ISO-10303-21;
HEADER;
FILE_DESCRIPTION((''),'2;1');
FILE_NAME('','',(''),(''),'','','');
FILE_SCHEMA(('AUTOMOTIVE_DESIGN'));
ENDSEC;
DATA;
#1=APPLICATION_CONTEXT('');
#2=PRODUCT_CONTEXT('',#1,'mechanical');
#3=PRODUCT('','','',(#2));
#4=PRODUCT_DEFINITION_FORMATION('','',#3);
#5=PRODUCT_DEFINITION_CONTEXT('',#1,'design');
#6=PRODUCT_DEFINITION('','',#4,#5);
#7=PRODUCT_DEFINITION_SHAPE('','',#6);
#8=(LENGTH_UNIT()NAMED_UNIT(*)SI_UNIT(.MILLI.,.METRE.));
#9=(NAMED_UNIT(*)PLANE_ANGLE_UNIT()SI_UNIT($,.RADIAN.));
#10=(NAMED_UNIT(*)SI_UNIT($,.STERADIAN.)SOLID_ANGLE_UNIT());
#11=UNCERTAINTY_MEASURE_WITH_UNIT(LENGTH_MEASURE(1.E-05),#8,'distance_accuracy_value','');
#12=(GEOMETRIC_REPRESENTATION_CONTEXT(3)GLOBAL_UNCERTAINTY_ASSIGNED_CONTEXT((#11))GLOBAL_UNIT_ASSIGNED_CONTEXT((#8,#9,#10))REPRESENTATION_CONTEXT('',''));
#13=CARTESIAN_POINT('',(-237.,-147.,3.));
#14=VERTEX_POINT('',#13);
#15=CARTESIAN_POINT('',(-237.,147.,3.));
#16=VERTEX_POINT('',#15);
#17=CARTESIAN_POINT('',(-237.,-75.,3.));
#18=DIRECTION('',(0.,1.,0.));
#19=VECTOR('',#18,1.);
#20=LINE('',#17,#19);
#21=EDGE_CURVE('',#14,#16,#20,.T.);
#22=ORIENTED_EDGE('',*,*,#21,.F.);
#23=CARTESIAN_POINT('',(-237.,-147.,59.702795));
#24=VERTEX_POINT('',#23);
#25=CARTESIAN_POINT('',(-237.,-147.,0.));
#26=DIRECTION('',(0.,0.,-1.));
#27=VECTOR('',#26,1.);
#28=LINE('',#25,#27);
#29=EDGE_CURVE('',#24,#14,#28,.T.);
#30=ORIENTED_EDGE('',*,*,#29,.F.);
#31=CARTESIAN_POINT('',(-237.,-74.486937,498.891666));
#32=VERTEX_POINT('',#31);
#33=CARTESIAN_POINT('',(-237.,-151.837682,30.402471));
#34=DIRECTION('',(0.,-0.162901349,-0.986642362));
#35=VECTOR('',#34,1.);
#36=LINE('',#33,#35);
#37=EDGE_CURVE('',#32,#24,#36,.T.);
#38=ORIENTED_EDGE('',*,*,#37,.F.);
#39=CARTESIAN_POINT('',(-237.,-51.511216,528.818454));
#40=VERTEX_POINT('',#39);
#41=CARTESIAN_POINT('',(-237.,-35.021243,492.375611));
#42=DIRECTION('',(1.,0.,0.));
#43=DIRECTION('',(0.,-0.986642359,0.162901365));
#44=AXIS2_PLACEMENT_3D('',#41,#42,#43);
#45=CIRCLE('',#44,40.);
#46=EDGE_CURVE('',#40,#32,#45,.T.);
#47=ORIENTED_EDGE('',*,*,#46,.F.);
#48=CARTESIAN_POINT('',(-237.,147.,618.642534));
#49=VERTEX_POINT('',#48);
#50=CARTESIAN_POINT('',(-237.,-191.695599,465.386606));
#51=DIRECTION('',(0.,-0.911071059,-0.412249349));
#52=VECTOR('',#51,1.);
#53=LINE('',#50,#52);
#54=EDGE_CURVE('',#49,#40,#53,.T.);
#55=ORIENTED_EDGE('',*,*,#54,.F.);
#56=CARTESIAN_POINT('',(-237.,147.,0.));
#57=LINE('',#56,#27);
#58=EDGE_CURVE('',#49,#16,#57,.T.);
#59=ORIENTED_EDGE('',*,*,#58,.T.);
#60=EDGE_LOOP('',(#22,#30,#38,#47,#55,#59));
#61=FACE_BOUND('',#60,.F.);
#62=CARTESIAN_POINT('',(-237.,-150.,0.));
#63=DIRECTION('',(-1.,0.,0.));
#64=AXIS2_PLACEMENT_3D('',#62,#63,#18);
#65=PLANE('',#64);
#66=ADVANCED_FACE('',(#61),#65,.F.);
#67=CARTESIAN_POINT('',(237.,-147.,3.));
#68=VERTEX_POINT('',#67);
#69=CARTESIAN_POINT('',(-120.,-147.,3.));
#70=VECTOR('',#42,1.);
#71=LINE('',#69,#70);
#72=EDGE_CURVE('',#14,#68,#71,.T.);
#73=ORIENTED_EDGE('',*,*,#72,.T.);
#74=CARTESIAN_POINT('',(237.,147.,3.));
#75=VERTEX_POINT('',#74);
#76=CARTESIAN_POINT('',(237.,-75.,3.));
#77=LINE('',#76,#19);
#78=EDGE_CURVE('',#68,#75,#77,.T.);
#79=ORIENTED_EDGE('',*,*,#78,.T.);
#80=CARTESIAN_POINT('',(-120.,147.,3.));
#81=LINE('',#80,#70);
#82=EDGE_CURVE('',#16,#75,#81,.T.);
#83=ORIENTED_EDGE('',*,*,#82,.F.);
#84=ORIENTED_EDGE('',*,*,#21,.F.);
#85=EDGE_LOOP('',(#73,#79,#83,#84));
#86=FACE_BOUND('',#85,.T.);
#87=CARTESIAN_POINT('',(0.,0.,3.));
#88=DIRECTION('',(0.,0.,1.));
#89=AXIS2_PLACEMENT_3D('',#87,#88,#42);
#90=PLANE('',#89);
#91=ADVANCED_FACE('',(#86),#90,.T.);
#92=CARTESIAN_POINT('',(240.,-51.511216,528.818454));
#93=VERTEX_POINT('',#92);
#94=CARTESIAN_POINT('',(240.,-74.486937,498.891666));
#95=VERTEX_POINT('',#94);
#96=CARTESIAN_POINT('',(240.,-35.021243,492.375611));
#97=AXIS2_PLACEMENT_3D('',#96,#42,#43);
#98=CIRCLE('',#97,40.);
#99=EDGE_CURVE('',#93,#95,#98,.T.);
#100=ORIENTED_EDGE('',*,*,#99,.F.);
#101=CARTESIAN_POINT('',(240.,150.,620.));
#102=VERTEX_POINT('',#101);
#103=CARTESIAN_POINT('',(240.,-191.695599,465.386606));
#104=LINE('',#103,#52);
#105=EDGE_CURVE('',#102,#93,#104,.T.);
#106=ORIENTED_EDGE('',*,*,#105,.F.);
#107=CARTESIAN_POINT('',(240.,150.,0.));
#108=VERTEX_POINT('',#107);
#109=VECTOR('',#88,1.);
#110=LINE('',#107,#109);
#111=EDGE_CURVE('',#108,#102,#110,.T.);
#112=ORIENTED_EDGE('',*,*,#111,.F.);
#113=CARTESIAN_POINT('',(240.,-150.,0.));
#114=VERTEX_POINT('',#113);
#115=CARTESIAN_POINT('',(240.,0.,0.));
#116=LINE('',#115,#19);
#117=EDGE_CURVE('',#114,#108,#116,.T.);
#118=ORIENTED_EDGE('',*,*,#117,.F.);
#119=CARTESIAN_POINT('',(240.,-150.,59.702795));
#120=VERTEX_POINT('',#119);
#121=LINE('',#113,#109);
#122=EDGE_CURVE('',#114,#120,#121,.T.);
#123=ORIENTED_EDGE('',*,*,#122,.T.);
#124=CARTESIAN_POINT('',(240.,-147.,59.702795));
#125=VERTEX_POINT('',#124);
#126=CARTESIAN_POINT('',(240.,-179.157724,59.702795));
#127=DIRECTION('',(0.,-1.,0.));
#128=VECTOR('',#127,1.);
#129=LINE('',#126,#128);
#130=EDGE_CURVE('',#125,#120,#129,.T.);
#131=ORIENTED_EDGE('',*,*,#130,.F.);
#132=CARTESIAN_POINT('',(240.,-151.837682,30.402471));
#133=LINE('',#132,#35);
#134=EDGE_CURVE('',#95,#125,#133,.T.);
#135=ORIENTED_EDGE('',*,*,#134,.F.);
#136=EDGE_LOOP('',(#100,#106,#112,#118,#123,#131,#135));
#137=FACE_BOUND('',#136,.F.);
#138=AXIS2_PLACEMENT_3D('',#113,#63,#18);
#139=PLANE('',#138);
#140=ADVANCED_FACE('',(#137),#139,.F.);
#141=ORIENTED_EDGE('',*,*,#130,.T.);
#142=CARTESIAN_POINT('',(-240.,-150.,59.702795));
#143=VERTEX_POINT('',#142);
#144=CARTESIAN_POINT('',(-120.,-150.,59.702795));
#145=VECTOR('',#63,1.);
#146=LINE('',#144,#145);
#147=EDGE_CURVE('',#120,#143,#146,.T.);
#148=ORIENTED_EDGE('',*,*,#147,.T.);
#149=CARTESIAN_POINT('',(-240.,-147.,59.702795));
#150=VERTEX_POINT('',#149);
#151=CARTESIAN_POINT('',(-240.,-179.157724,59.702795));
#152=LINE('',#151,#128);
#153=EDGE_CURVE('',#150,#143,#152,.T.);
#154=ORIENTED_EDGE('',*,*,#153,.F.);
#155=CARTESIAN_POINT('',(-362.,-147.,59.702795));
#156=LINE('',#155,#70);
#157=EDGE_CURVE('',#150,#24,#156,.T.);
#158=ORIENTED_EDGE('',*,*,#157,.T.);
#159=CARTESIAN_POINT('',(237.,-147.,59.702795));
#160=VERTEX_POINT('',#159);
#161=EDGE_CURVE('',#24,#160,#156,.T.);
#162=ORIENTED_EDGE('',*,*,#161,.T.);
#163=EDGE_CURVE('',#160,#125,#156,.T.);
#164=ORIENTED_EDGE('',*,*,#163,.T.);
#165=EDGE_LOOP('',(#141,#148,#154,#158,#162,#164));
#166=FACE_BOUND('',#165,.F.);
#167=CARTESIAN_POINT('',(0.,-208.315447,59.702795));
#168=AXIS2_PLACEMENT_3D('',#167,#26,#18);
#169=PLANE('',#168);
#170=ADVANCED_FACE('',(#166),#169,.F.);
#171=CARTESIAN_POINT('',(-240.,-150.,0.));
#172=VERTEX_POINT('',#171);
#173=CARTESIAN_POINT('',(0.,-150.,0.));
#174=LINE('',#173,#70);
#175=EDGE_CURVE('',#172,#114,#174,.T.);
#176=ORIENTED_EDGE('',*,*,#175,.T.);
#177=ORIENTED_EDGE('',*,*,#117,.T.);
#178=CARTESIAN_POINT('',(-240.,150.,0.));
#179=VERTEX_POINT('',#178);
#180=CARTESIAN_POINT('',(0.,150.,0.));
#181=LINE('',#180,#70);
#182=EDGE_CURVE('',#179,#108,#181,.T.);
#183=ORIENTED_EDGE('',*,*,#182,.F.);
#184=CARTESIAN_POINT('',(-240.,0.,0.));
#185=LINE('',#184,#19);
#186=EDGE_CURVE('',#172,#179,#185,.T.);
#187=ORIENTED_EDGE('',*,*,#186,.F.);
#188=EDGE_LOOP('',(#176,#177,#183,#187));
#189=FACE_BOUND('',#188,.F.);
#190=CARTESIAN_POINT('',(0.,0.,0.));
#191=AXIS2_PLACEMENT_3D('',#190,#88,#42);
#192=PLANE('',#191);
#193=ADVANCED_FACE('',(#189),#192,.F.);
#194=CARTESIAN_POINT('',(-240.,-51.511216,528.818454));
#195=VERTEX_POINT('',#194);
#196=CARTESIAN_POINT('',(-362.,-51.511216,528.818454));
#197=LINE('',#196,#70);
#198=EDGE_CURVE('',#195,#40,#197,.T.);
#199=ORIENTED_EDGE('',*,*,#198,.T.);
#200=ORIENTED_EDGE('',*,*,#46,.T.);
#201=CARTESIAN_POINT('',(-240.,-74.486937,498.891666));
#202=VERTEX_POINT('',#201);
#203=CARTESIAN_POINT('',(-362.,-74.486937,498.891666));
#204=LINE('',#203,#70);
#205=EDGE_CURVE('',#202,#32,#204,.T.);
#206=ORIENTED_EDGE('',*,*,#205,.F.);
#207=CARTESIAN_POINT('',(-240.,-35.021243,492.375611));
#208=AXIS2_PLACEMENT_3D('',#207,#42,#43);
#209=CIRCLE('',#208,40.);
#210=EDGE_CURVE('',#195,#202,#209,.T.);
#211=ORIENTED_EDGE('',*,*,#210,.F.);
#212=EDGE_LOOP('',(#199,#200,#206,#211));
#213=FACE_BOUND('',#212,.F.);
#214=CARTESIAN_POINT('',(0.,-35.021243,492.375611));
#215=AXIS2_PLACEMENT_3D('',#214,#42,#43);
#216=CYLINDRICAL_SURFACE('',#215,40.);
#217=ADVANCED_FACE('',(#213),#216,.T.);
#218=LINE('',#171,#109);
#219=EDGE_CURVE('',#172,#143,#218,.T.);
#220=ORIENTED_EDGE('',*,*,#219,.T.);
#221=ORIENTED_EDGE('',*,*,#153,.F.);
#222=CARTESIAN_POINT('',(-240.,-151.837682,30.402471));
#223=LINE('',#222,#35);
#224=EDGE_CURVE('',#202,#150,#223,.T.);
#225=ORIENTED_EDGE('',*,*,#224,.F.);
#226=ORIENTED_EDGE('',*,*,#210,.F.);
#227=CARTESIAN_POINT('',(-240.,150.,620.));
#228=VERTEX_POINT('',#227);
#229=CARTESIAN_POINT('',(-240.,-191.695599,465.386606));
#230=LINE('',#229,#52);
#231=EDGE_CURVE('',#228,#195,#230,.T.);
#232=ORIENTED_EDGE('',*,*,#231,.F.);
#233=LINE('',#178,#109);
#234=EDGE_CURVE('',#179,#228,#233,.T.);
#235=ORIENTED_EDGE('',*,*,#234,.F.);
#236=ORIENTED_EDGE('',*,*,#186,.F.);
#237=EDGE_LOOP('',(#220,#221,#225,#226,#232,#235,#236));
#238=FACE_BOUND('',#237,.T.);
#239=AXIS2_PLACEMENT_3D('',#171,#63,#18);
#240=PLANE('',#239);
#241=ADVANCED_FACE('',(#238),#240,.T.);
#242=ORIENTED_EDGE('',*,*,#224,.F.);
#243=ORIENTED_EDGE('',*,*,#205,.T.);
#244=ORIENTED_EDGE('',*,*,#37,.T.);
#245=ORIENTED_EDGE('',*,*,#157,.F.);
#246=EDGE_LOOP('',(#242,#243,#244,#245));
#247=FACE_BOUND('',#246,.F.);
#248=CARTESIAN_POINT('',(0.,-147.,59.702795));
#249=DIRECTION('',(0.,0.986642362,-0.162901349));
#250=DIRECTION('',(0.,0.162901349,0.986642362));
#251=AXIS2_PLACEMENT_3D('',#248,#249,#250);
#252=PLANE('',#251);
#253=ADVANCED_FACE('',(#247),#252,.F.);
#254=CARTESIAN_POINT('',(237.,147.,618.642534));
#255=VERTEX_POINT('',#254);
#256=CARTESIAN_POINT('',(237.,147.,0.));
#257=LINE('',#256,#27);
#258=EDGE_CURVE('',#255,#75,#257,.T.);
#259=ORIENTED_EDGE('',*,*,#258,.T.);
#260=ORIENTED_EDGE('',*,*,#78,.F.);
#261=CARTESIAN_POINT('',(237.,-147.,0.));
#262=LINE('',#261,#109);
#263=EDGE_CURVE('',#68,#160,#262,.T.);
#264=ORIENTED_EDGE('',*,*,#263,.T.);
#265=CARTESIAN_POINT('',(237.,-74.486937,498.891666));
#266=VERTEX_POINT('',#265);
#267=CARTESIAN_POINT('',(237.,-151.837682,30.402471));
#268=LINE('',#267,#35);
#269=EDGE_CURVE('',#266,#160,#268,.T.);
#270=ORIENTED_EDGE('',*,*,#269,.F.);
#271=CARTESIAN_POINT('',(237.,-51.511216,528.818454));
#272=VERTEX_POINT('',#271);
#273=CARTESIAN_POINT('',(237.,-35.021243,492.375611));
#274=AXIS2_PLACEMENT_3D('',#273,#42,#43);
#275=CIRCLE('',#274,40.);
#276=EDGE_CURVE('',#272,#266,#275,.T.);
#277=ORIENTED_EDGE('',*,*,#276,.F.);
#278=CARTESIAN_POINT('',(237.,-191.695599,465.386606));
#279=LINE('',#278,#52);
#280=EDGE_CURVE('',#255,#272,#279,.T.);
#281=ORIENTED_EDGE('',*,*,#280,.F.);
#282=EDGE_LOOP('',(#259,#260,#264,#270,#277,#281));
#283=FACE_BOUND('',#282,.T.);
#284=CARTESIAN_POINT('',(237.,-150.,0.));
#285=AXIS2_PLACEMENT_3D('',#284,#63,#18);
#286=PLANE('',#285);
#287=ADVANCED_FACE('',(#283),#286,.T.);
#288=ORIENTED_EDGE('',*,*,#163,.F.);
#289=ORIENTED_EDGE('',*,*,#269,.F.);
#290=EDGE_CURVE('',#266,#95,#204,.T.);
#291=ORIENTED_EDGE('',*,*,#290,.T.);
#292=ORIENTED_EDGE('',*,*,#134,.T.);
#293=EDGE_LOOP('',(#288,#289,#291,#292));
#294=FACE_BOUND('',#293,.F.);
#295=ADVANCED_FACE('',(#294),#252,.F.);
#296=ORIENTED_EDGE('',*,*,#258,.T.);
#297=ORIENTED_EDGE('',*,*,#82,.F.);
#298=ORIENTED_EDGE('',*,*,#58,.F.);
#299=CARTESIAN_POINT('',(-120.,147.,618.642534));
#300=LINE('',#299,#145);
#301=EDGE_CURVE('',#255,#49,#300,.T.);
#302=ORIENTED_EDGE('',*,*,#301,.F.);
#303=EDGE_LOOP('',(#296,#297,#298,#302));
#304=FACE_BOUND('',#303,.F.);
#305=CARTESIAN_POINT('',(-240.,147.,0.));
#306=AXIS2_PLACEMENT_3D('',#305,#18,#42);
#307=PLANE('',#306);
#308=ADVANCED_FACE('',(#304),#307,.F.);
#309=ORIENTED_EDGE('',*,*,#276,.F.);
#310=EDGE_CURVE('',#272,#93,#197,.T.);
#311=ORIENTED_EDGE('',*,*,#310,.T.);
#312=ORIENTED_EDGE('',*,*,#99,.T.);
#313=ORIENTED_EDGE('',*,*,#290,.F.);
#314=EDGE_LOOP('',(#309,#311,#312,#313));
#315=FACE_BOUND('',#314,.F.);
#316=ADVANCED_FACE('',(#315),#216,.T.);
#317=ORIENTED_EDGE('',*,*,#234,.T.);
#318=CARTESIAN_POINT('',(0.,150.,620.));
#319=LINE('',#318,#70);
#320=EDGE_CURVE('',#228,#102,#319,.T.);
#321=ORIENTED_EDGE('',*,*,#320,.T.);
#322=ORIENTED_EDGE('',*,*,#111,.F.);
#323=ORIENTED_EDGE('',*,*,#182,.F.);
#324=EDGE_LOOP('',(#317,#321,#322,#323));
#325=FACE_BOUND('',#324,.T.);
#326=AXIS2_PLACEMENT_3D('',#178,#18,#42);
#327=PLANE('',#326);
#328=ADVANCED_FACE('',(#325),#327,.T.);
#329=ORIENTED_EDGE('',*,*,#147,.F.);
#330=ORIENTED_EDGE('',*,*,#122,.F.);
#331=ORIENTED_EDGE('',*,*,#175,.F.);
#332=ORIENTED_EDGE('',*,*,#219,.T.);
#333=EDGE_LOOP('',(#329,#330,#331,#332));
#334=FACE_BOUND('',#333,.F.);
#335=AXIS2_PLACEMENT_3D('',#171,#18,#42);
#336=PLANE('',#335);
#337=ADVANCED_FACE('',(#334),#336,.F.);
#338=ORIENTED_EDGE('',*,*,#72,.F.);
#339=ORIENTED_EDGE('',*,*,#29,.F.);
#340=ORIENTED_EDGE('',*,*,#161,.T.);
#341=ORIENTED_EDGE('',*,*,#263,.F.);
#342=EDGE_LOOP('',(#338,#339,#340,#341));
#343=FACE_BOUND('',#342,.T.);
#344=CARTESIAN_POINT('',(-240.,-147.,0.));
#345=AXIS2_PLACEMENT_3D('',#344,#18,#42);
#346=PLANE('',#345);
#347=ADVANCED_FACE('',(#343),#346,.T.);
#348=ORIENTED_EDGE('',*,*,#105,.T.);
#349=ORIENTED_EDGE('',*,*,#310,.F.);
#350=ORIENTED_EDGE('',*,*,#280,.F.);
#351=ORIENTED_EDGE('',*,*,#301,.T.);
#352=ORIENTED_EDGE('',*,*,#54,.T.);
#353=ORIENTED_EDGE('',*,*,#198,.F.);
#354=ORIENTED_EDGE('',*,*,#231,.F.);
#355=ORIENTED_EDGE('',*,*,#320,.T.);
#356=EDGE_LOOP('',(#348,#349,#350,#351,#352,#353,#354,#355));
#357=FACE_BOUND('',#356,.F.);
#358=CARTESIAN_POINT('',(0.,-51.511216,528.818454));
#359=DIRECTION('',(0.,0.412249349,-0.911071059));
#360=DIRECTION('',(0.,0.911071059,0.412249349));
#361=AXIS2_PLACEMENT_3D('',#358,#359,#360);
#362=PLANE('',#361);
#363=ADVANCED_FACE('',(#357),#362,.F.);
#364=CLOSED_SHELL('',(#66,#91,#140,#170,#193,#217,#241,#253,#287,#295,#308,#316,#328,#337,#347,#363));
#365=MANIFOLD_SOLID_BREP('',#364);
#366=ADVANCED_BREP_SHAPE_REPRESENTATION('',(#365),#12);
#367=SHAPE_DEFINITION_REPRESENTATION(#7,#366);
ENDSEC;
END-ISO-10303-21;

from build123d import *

# Parameters (mm, degrees)
F0_W     = 480
F0_H     = 300
F1_DEPTH = 620
F2_T     = -3
F4_DEPTH = 362


with BuildPart() as f1:
    # F0 (on Top) → F1 (new body)
    with BuildSketch(Plane.XY):
        Rectangle(F0_W, F0_H)
    extrude(amount=F1_DEPTH)

    # F2
    f2_openings = [f1.faces().sort_by_distance(p)[0] for p in [
        (0, 0, 620),
    ]]
    offset(amount=F2_T, openings=f2_openings)

    # F3 (on Right) → F4 (cut, symmetric)
    with BuildSketch(Plane.YZ):
        with BuildLine():
            Line((-208.315447, 59.702795), (-150, 59.702795))
            Line((-150, 59.702795), (-147, 59.702795))
            Line((-147, 59.702795), (-74.486937, 498.891666))
            ThreePointArc((-74.486937, 498.891666), (-66.749185, 516.734135), (-51.511216, 528.818454))
            Line((-51.511216, 528.818454), (150, 620))
            Line((150, 620), (136.103183, 668.386102))
            Line((136.103183, 668.386102), (-228.213415, 668.386102))
            Line((-228.213415, 668.386102), (-208.315447, 59.702795))
        make_face()
    extrude(amount=F4_DEPTH, both=True, mode=Mode.SUBTRACT)


solid = f1.part
